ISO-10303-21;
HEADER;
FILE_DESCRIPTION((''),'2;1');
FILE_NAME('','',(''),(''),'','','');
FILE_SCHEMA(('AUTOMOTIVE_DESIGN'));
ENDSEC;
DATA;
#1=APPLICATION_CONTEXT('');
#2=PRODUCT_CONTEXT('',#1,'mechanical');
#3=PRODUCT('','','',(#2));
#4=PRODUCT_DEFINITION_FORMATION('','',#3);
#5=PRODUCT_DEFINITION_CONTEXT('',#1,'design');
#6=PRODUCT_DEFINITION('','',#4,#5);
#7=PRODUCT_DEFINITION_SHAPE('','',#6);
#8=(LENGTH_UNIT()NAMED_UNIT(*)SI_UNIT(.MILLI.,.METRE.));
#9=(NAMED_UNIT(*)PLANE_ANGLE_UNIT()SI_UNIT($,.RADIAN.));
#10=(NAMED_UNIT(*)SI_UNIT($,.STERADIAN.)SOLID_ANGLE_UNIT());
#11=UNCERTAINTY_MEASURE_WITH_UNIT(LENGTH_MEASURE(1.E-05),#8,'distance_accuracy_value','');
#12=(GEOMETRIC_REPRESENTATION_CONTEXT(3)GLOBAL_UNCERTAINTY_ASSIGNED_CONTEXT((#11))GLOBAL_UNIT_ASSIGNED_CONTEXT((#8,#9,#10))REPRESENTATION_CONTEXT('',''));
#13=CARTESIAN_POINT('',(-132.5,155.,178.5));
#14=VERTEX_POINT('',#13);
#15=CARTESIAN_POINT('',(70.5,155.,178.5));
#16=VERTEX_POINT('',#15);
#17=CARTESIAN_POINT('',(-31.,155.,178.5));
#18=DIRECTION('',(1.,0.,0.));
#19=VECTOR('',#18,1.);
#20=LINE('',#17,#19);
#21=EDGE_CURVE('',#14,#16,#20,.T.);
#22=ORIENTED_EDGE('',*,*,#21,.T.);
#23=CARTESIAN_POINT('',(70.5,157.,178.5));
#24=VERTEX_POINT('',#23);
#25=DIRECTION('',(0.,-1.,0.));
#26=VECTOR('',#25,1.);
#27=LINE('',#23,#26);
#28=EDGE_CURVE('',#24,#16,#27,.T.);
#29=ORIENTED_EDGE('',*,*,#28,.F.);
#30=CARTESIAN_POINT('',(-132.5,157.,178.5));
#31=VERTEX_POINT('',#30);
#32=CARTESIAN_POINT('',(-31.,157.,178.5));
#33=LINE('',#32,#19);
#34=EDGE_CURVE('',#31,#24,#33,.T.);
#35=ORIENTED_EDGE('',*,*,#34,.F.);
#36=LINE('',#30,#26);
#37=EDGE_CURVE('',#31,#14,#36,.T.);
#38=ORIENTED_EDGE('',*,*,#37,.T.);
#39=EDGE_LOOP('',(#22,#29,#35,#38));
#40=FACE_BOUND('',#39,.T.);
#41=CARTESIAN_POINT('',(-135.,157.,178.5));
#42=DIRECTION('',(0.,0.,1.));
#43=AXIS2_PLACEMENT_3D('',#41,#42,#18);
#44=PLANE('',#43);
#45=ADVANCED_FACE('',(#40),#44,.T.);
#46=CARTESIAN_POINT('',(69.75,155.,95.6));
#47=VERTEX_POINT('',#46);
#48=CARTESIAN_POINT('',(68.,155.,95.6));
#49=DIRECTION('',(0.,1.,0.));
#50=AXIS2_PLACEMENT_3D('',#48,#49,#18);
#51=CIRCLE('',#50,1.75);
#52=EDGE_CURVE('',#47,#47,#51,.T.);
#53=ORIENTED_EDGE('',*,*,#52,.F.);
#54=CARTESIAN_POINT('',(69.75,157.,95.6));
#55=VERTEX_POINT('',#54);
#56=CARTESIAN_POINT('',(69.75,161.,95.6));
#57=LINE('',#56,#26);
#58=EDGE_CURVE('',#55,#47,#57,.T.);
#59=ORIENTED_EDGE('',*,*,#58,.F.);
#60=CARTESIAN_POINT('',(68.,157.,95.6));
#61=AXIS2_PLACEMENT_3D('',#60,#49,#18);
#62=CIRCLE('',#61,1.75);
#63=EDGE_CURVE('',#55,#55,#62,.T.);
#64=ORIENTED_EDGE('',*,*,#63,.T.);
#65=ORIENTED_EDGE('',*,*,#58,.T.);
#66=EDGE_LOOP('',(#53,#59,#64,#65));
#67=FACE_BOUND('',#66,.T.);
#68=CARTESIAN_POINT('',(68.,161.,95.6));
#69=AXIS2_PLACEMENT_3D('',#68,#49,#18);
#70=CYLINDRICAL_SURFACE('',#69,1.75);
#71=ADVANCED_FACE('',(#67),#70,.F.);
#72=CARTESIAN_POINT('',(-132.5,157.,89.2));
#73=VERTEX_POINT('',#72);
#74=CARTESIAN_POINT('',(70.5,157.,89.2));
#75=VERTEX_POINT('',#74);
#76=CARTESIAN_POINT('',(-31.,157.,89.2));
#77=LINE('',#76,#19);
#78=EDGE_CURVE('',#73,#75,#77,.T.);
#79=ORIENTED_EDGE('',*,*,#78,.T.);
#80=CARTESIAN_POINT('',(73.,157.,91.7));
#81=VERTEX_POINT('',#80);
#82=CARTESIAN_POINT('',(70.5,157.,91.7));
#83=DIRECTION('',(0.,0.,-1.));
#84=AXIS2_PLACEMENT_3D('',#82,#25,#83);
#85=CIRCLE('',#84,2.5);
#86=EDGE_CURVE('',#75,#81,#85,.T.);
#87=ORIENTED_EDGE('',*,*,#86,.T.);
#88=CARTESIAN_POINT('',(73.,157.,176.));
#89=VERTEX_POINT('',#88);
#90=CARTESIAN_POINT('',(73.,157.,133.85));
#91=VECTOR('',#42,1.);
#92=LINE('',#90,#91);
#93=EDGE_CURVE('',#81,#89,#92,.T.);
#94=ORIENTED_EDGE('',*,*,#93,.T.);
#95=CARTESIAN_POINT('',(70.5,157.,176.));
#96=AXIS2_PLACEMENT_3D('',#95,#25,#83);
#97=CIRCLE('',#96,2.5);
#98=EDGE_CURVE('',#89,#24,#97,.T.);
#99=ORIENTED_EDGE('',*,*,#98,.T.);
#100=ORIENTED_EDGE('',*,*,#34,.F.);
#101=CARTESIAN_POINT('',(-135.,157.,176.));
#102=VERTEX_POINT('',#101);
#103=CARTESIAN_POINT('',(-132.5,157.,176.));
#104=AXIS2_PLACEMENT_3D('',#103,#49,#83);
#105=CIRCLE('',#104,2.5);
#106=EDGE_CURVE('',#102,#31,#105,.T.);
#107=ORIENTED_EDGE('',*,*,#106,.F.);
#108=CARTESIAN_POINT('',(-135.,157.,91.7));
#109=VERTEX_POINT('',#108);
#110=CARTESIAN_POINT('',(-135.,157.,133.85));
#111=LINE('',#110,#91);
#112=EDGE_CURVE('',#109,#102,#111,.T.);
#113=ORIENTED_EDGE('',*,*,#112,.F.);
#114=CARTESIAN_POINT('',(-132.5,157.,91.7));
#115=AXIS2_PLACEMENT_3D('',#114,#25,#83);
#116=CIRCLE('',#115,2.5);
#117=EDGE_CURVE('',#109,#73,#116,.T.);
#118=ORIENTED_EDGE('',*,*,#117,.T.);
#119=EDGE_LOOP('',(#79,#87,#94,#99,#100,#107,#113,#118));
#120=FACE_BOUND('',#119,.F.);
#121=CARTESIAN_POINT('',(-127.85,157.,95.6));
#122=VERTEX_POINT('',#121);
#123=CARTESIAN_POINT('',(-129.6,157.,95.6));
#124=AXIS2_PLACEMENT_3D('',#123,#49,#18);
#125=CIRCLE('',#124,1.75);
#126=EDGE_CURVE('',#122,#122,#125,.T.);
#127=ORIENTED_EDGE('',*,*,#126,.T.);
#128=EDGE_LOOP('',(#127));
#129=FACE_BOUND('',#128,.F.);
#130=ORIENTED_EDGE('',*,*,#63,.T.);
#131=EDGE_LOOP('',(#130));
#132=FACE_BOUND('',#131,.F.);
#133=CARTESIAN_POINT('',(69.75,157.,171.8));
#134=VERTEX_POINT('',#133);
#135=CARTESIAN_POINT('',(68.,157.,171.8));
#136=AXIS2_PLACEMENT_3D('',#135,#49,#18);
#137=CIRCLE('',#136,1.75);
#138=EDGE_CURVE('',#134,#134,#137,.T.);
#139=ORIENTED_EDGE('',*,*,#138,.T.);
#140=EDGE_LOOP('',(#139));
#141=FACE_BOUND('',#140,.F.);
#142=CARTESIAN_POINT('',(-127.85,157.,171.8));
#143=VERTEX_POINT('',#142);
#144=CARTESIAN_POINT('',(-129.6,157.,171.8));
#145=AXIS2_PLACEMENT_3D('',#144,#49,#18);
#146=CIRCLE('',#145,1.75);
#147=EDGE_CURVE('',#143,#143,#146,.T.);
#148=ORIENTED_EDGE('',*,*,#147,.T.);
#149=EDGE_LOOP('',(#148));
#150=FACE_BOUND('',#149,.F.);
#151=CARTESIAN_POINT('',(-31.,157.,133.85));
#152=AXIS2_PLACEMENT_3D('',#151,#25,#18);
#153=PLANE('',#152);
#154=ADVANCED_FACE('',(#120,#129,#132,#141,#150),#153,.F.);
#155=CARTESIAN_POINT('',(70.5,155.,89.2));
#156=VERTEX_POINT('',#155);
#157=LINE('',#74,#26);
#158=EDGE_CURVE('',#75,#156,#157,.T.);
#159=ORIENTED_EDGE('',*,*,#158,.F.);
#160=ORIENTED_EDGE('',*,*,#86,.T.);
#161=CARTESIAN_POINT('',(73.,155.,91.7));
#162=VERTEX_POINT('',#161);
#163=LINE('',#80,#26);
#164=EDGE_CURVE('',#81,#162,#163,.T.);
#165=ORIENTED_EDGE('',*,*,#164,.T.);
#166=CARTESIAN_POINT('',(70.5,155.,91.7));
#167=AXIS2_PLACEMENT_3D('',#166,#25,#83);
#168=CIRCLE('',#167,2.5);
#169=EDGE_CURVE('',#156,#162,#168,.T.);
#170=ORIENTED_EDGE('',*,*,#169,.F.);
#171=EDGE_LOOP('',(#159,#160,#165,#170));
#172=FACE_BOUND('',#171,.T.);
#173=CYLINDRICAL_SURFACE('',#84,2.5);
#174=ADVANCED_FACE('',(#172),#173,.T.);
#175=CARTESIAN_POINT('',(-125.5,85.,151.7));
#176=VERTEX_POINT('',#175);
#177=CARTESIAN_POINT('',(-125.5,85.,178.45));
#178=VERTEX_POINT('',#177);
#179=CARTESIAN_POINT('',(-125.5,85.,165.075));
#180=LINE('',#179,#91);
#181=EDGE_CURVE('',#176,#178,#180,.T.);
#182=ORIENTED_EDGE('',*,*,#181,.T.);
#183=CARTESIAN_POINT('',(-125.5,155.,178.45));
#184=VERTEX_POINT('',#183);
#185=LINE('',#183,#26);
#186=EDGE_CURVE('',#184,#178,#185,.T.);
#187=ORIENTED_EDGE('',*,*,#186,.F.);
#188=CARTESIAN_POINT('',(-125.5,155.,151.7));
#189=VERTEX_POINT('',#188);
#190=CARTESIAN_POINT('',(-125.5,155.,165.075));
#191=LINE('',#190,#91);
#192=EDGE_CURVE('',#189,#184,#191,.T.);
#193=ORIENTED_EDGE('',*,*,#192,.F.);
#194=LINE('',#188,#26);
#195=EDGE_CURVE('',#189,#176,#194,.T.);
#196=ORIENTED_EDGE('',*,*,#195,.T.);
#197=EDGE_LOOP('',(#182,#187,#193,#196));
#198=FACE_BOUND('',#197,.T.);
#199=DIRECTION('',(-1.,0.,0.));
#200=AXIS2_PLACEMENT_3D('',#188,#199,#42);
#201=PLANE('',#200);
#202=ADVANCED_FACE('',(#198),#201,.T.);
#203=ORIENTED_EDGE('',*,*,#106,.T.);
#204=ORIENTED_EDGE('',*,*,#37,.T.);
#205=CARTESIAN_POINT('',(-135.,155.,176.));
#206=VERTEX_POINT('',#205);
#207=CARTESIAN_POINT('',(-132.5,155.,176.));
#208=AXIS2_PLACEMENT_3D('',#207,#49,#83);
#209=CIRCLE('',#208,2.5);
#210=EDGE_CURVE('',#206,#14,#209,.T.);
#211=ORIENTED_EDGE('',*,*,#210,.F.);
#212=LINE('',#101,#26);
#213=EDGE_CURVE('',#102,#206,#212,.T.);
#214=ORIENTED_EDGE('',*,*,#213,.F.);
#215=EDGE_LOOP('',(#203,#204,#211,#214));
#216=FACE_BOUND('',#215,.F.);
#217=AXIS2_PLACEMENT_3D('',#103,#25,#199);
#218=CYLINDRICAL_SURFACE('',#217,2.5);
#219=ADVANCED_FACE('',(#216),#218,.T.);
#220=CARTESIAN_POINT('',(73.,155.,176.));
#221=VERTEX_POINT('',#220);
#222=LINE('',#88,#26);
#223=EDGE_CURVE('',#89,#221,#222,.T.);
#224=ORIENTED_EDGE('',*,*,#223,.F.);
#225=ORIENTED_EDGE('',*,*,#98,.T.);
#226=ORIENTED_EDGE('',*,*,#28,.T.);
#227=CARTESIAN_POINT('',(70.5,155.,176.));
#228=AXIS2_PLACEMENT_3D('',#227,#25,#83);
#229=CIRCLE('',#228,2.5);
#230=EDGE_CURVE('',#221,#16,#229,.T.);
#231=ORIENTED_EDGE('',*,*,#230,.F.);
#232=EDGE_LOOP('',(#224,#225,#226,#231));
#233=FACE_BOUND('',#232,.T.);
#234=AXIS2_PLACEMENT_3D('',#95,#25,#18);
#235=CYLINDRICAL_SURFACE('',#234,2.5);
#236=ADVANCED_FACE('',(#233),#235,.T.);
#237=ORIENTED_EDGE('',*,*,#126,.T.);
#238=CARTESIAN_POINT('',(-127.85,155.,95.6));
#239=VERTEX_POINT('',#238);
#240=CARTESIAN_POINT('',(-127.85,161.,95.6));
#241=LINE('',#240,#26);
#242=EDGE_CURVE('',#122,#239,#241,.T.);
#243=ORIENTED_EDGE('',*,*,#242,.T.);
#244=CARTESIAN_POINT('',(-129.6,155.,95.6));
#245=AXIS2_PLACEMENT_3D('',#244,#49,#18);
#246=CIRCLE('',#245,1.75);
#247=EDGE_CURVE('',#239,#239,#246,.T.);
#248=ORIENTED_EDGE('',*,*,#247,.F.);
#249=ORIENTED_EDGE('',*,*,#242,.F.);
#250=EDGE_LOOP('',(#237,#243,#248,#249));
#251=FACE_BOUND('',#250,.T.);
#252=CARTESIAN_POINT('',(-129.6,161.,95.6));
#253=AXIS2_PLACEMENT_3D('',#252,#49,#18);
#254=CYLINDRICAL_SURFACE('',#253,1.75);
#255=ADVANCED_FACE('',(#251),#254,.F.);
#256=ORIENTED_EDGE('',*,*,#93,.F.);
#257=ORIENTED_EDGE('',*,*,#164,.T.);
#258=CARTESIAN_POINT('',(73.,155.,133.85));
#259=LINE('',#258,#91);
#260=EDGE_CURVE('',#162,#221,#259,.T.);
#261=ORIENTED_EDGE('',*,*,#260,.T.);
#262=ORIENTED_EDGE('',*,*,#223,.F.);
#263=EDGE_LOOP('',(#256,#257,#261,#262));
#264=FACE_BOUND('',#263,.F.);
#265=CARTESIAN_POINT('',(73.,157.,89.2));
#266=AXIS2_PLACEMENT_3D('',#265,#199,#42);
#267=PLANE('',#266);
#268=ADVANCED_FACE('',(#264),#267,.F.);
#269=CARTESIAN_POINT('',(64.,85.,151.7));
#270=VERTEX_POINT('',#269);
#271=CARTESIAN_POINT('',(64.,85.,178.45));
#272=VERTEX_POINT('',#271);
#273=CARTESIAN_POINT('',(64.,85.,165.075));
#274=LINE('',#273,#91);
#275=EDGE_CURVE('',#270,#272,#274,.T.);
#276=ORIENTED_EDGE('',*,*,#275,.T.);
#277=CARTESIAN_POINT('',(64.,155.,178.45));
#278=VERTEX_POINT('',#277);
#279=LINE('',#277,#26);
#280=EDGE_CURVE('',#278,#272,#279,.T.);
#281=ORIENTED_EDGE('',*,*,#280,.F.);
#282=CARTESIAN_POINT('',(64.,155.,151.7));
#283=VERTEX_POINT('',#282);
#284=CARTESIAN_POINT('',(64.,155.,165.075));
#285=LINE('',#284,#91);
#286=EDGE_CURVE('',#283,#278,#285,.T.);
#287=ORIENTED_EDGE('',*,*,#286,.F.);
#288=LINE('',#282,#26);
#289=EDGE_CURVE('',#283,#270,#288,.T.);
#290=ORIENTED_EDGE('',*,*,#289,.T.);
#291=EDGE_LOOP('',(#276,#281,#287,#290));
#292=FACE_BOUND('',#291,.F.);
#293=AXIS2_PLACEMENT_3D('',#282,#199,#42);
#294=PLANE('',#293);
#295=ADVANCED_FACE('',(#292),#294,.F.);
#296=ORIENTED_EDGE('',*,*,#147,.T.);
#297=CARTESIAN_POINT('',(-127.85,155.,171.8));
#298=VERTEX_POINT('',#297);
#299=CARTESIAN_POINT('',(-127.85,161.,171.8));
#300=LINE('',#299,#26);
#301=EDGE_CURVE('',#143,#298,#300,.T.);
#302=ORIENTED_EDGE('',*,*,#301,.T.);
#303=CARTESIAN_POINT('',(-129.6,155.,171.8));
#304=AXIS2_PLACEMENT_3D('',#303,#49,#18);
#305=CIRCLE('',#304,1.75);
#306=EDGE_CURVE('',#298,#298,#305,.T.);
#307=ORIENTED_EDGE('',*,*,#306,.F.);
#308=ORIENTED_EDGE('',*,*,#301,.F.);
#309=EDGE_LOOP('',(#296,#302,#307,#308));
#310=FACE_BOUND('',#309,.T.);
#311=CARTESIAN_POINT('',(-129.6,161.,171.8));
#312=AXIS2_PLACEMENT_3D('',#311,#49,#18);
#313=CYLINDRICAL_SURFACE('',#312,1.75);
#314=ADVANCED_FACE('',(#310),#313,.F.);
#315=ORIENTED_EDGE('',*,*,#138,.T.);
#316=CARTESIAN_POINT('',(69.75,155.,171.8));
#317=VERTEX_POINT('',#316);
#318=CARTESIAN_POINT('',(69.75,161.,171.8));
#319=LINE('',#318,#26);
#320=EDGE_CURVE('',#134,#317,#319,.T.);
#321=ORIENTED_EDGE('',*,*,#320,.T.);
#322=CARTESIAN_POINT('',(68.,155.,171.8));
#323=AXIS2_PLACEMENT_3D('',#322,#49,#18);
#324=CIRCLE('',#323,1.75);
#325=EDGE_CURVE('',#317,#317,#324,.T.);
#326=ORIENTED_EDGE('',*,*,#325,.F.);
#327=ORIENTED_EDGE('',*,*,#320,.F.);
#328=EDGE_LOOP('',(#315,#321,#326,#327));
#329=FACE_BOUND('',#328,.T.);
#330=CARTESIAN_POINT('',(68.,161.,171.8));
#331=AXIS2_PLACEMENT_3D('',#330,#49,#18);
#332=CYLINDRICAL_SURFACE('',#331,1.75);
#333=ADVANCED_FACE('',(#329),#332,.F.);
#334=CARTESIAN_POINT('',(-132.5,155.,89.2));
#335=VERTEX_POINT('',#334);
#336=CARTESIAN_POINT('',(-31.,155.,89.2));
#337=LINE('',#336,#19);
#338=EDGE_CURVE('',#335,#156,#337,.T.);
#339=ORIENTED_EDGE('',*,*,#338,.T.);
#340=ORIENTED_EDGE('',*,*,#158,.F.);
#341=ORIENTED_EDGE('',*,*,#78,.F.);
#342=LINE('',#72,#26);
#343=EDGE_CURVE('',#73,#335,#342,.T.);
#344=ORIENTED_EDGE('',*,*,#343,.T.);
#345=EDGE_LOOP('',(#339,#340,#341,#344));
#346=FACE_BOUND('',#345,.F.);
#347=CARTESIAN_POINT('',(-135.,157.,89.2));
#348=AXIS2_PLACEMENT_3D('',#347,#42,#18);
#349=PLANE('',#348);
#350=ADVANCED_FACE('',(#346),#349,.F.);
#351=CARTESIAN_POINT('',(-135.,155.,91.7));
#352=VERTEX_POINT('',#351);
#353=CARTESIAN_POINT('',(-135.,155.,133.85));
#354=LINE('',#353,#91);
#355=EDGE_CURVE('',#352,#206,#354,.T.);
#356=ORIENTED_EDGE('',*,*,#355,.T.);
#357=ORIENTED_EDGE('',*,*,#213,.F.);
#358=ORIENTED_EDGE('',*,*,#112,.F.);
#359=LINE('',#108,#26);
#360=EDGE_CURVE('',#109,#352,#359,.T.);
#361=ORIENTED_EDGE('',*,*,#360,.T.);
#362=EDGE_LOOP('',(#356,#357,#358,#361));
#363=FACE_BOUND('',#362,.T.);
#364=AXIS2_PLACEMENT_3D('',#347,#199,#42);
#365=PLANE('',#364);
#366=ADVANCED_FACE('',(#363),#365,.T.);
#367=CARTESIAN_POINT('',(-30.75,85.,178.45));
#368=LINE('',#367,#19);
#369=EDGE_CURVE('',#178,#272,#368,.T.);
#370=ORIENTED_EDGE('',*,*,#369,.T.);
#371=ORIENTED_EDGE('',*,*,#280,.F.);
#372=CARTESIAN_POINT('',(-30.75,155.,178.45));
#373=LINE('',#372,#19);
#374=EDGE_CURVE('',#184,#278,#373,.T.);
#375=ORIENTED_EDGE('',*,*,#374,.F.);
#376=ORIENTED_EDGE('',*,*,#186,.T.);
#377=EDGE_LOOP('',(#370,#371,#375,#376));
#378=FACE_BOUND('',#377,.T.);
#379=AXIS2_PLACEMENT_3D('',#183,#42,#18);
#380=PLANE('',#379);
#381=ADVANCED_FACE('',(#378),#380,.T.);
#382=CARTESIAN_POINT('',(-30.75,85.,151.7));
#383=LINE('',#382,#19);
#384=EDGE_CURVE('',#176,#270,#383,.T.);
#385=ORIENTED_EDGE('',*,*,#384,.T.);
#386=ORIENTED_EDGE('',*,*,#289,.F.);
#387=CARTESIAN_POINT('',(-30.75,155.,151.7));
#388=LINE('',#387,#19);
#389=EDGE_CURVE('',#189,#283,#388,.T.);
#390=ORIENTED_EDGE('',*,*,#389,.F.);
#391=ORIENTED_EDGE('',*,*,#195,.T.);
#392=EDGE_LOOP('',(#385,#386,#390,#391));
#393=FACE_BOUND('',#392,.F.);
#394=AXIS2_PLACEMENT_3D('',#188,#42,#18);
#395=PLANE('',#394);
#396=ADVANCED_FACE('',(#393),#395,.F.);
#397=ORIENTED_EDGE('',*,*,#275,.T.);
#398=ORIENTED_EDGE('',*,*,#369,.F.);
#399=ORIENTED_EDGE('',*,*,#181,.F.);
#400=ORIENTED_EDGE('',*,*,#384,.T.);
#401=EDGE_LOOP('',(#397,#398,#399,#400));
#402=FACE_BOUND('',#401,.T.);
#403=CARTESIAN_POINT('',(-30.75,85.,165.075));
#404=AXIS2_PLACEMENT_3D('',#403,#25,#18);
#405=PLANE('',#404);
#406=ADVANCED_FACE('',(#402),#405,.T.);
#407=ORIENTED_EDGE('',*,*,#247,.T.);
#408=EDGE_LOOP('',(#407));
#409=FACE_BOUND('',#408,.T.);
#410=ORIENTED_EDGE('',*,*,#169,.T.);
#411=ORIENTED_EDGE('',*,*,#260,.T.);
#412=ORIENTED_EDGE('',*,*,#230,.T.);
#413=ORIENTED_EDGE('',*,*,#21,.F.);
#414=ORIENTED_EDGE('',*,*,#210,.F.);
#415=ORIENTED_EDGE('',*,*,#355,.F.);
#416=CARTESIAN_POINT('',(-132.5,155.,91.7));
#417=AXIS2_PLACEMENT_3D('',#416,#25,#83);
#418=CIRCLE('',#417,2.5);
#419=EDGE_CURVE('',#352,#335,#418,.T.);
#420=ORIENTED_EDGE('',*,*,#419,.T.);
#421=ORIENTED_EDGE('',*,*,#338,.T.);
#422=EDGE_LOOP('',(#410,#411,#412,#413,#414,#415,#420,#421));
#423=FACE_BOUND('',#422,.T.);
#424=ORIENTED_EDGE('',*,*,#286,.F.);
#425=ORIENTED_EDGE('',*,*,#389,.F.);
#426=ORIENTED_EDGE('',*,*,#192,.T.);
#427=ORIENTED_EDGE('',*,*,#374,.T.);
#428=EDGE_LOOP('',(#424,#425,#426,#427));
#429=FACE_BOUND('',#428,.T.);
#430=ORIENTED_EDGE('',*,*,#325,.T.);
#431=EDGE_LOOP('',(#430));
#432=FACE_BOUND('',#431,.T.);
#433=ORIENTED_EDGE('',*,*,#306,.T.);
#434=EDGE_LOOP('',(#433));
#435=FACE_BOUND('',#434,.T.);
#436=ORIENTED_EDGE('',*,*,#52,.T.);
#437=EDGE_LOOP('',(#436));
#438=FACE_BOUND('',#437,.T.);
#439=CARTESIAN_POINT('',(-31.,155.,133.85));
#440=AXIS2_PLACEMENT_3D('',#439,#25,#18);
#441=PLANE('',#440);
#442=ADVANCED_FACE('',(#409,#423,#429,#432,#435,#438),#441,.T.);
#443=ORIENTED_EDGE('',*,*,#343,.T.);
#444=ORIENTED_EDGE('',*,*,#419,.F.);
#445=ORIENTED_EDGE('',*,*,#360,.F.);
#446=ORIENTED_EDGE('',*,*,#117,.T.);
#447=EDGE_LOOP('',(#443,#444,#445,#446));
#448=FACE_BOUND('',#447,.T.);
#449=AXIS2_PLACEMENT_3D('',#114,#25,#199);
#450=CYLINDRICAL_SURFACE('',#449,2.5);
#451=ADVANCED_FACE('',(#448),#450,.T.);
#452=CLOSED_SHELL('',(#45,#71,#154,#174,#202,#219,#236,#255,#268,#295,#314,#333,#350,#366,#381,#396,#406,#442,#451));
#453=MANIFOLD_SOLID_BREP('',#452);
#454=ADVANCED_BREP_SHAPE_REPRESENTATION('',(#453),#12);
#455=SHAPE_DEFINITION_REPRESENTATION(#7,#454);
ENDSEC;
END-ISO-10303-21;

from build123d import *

# Parameters (mm, degrees)
CYLINDER001_R       = 1.75
CYLINDER001_DEPTH   = 10
CYLINDER002_R       = 1.75
CYLINDER002_DEPTH   = 10
CYLINDER003_R       = 1.75
CYLINDER003_DEPTH   = 10
CYLINDER_R          = 1.75
CYLINDER_DEPTH      = 10
BOX001_W            = 189.5
BOX001_H            = 26.75
BOX001_DEPTH        = 70
BOX_W               = 208
BOX_H               = 89.3
BOX_DEPTH           = 2
FILLET_R            = 2.5
CUT_PLACEMENT_ANGLE = 90


with BuildPart() as cylinder001:
    # Cylinder001 → Cylinder001 (new body)
    with BuildSketch(Plane(origin=(5.4, 82.6, 0), x_dir=(1, 0, 0), z_dir=(0, 0, 1))):
        Circle(CYLINDER001_R)
    extrude(amount=CYLINDER001_DEPTH)


with BuildPart() as cylinder002:
    # Cylinder002 → Cylinder002 (new body)
    with BuildSketch(Plane(origin=(203, 82.6, 0), x_dir=(1, 0, 0), z_dir=(0, 0, 1))):
        Circle(CYLINDER002_R)
    extrude(amount=CYLINDER002_DEPTH)


with BuildPart() as cylinder003:
    # Cylinder003 → Cylinder003 (new body)
    with BuildSketch(Plane(origin=(203, 6.4, 0), x_dir=(1, 0, 0), z_dir=(0, 0, 1))):
        Circle(CYLINDER003_R)
    extrude(amount=CYLINDER003_DEPTH)


with BuildPart() as base_hole:
    # Cylinder → Cylinder (new body)
    with BuildSketch(Plane(origin=(5.4, 6.4, 0), x_dir=(1, 0, 0), z_dir=(0, 0, 1))):
        Circle(CYLINDER_R)
    extrude(amount=CYLINDER_DEPTH)

    # Fusion: union Cylinder001, Cylinder002, Cylinder003
    add(cylinder001.part)
    add(cylinder002.part)
    add(cylinder003.part)


with BuildPart() as base_hole_1:
    # Fusion placement: moved
    add(base_hole.part.moved(Location((0, 0, -4))))


with BuildPart() as ozone_monitor:
    # Box001 → Box001 (new body)
    with BuildSketch(Plane(origin=(9.5, 62.5, 2), x_dir=(1, 0, 0), z_dir=(0, 0, 1))):
        with Locations((94.75, 13.375)):
            Rectangle(BOX001_W, BOX001_H)
    extrude(amount=BOX001_DEPTH)


with BuildPart() as ozone_module:
    # Box → Box (new body)
    with BuildSketch(Plane.XY):
        with Locations((104, 44.65)):
            Rectangle(BOX_W, BOX_H)
    extrude(amount=BOX_DEPTH)

    # Fillet
    fillet_edges = [ozone_module.edges().sort_by_distance(p)[0] for p in [
        (0, 0, 1),
        (0, 89.3, 1),
        (208, 0, 1),
        (208, 89.3, 1),
    ]]
    fillet(fillet_edges, radius=FILLET_R)

    # Fusion001: union Ozone_monitor
    add(ozone_monitor.part)

    # Cut: cut Base_hole
    add(base_hole_1.part, mode=Mode.SUBTRACT)


with BuildPart() as ozone_module_1:
    # Cut placement: moved
    add(ozone_module.part.moved(Location((-135, 157, 89.2))).rotate(Axis((-135, 157, 89.2), (1, 0, 0)), CUT_PLACEMENT_ANGLE))


solid = ozone_module_1.part
